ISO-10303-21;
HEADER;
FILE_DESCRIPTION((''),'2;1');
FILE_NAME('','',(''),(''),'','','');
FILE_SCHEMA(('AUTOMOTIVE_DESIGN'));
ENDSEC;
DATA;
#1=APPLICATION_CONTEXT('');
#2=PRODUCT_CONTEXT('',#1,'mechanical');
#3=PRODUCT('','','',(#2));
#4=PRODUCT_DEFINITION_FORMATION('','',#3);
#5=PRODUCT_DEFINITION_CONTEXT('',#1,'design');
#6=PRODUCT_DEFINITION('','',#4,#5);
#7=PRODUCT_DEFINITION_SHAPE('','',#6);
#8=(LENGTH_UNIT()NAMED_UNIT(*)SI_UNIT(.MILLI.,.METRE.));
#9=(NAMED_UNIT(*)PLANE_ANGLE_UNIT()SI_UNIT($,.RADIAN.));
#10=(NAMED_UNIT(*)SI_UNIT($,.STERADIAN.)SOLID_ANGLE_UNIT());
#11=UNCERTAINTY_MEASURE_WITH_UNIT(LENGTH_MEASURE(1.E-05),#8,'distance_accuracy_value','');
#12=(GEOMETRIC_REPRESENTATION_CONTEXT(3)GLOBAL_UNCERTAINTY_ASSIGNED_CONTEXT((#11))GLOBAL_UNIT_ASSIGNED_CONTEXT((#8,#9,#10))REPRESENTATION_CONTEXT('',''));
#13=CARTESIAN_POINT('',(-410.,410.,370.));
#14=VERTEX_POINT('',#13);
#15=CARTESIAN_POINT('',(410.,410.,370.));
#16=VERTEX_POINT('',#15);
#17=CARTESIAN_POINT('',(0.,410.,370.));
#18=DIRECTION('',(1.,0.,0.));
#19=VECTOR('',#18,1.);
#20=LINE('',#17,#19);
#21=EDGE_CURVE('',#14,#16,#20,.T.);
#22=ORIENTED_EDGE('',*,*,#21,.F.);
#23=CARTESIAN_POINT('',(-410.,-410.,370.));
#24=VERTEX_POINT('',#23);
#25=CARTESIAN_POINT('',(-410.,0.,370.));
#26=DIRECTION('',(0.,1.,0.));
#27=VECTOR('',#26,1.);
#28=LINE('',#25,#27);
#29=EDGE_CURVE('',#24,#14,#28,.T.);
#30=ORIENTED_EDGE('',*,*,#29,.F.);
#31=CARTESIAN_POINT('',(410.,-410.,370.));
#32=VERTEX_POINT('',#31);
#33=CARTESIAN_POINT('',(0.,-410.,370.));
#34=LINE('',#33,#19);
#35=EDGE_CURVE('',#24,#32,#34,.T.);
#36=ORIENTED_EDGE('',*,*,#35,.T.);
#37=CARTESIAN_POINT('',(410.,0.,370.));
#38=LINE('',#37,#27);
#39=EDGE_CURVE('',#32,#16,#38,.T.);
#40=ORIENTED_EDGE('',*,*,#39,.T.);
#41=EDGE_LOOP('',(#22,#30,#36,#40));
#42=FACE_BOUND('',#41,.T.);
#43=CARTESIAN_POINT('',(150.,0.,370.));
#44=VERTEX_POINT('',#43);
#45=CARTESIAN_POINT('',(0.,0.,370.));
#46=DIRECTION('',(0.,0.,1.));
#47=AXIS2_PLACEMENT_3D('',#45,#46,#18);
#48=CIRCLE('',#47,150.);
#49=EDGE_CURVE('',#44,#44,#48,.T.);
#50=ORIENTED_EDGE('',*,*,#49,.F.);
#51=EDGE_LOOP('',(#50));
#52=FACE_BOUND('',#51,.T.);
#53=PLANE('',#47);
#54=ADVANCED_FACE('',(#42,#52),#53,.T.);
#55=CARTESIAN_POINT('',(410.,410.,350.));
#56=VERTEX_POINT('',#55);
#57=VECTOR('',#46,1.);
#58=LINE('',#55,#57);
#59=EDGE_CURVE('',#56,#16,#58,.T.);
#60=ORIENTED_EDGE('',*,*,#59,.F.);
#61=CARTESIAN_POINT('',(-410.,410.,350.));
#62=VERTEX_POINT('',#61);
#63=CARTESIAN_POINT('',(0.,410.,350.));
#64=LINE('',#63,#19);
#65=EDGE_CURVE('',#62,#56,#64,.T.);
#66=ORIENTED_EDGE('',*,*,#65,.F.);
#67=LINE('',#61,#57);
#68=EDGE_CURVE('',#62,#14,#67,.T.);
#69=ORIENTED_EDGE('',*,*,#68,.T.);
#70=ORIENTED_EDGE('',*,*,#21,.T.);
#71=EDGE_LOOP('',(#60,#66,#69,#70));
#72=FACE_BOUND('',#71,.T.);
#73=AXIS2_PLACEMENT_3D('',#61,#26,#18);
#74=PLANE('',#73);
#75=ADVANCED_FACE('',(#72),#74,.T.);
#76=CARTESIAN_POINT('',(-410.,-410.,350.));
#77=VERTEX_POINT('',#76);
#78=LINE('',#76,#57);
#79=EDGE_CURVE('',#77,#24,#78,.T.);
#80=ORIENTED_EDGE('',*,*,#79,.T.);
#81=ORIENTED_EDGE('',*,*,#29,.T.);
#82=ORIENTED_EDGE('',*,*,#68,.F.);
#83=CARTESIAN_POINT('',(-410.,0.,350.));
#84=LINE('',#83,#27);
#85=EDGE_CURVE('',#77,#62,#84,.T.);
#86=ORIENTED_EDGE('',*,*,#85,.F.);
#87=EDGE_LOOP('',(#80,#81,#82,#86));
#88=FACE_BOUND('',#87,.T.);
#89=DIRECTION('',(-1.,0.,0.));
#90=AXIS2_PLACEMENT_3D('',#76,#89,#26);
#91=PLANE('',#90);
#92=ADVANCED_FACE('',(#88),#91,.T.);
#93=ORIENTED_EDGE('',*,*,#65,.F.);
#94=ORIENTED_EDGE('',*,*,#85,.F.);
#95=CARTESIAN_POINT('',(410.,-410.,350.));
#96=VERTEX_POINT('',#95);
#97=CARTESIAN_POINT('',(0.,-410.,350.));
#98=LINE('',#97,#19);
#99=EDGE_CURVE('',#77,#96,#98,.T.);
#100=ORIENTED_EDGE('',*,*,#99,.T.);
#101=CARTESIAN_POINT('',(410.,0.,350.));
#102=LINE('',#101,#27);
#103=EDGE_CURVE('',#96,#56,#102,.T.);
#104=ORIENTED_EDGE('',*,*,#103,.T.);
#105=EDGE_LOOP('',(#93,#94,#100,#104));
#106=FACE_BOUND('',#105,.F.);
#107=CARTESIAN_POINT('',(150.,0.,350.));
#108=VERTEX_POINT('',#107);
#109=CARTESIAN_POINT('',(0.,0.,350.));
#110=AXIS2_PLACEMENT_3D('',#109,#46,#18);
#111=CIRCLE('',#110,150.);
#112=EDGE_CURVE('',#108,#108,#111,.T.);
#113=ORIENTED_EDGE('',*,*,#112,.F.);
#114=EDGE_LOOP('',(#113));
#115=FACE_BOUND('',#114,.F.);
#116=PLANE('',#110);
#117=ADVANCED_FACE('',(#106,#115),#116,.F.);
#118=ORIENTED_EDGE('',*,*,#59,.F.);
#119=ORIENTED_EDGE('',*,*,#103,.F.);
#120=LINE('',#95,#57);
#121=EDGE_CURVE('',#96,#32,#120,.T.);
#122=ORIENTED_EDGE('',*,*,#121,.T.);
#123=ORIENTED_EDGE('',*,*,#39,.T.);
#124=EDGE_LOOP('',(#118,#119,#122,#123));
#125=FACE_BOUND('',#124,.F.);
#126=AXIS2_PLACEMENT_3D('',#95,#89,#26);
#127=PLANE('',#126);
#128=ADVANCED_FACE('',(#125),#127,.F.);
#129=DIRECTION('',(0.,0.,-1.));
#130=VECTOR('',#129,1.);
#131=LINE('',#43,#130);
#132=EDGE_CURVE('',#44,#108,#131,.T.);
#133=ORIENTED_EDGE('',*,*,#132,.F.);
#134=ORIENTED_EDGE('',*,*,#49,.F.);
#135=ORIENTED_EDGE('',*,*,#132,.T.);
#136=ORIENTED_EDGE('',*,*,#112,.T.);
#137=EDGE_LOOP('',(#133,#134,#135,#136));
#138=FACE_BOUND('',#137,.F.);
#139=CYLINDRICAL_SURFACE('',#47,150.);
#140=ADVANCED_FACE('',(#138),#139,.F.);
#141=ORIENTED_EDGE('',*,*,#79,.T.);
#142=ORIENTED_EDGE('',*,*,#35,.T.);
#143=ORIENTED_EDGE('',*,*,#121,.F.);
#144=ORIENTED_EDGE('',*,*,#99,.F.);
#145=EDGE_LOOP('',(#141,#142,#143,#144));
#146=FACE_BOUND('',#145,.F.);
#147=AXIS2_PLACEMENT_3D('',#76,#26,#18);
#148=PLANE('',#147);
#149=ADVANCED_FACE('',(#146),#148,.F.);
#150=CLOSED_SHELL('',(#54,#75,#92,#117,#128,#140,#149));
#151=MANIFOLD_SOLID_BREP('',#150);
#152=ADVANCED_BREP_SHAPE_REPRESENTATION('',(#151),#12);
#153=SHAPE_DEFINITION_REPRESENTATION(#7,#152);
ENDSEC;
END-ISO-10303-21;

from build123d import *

# Parameters (mm, degrees)
SKETCH015_R      = 150
EXTRUDE011_DEPTH = 20
SKETCH014_W      = 820
SKETCH014_H      = 820
EXTRUDE009_DEPTH = 20


with BuildPart() as extrude013:
    # Sketch015 (on Face6 of Extrude009) → Extrude011 (new body)
    with BuildSketch(Plane.XY.offset(370)):
        Circle(SKETCH015_R)
    extrude(amount=-EXTRUDE011_DEPTH)


with BuildPart() as cut006:
    # Sketch014 (on Face8 of Extrude) → Extrude009 (new body)
    with BuildSketch(Plane.XY.offset(350)):
        Rectangle(SKETCH014_W, SKETCH014_H)
    extrude(amount=EXTRUDE009_DEPTH)

    # Cut006: cut Extrude013
    add(extrude013.part, mode=Mode.SUBTRACT)


solid = cut006.part
